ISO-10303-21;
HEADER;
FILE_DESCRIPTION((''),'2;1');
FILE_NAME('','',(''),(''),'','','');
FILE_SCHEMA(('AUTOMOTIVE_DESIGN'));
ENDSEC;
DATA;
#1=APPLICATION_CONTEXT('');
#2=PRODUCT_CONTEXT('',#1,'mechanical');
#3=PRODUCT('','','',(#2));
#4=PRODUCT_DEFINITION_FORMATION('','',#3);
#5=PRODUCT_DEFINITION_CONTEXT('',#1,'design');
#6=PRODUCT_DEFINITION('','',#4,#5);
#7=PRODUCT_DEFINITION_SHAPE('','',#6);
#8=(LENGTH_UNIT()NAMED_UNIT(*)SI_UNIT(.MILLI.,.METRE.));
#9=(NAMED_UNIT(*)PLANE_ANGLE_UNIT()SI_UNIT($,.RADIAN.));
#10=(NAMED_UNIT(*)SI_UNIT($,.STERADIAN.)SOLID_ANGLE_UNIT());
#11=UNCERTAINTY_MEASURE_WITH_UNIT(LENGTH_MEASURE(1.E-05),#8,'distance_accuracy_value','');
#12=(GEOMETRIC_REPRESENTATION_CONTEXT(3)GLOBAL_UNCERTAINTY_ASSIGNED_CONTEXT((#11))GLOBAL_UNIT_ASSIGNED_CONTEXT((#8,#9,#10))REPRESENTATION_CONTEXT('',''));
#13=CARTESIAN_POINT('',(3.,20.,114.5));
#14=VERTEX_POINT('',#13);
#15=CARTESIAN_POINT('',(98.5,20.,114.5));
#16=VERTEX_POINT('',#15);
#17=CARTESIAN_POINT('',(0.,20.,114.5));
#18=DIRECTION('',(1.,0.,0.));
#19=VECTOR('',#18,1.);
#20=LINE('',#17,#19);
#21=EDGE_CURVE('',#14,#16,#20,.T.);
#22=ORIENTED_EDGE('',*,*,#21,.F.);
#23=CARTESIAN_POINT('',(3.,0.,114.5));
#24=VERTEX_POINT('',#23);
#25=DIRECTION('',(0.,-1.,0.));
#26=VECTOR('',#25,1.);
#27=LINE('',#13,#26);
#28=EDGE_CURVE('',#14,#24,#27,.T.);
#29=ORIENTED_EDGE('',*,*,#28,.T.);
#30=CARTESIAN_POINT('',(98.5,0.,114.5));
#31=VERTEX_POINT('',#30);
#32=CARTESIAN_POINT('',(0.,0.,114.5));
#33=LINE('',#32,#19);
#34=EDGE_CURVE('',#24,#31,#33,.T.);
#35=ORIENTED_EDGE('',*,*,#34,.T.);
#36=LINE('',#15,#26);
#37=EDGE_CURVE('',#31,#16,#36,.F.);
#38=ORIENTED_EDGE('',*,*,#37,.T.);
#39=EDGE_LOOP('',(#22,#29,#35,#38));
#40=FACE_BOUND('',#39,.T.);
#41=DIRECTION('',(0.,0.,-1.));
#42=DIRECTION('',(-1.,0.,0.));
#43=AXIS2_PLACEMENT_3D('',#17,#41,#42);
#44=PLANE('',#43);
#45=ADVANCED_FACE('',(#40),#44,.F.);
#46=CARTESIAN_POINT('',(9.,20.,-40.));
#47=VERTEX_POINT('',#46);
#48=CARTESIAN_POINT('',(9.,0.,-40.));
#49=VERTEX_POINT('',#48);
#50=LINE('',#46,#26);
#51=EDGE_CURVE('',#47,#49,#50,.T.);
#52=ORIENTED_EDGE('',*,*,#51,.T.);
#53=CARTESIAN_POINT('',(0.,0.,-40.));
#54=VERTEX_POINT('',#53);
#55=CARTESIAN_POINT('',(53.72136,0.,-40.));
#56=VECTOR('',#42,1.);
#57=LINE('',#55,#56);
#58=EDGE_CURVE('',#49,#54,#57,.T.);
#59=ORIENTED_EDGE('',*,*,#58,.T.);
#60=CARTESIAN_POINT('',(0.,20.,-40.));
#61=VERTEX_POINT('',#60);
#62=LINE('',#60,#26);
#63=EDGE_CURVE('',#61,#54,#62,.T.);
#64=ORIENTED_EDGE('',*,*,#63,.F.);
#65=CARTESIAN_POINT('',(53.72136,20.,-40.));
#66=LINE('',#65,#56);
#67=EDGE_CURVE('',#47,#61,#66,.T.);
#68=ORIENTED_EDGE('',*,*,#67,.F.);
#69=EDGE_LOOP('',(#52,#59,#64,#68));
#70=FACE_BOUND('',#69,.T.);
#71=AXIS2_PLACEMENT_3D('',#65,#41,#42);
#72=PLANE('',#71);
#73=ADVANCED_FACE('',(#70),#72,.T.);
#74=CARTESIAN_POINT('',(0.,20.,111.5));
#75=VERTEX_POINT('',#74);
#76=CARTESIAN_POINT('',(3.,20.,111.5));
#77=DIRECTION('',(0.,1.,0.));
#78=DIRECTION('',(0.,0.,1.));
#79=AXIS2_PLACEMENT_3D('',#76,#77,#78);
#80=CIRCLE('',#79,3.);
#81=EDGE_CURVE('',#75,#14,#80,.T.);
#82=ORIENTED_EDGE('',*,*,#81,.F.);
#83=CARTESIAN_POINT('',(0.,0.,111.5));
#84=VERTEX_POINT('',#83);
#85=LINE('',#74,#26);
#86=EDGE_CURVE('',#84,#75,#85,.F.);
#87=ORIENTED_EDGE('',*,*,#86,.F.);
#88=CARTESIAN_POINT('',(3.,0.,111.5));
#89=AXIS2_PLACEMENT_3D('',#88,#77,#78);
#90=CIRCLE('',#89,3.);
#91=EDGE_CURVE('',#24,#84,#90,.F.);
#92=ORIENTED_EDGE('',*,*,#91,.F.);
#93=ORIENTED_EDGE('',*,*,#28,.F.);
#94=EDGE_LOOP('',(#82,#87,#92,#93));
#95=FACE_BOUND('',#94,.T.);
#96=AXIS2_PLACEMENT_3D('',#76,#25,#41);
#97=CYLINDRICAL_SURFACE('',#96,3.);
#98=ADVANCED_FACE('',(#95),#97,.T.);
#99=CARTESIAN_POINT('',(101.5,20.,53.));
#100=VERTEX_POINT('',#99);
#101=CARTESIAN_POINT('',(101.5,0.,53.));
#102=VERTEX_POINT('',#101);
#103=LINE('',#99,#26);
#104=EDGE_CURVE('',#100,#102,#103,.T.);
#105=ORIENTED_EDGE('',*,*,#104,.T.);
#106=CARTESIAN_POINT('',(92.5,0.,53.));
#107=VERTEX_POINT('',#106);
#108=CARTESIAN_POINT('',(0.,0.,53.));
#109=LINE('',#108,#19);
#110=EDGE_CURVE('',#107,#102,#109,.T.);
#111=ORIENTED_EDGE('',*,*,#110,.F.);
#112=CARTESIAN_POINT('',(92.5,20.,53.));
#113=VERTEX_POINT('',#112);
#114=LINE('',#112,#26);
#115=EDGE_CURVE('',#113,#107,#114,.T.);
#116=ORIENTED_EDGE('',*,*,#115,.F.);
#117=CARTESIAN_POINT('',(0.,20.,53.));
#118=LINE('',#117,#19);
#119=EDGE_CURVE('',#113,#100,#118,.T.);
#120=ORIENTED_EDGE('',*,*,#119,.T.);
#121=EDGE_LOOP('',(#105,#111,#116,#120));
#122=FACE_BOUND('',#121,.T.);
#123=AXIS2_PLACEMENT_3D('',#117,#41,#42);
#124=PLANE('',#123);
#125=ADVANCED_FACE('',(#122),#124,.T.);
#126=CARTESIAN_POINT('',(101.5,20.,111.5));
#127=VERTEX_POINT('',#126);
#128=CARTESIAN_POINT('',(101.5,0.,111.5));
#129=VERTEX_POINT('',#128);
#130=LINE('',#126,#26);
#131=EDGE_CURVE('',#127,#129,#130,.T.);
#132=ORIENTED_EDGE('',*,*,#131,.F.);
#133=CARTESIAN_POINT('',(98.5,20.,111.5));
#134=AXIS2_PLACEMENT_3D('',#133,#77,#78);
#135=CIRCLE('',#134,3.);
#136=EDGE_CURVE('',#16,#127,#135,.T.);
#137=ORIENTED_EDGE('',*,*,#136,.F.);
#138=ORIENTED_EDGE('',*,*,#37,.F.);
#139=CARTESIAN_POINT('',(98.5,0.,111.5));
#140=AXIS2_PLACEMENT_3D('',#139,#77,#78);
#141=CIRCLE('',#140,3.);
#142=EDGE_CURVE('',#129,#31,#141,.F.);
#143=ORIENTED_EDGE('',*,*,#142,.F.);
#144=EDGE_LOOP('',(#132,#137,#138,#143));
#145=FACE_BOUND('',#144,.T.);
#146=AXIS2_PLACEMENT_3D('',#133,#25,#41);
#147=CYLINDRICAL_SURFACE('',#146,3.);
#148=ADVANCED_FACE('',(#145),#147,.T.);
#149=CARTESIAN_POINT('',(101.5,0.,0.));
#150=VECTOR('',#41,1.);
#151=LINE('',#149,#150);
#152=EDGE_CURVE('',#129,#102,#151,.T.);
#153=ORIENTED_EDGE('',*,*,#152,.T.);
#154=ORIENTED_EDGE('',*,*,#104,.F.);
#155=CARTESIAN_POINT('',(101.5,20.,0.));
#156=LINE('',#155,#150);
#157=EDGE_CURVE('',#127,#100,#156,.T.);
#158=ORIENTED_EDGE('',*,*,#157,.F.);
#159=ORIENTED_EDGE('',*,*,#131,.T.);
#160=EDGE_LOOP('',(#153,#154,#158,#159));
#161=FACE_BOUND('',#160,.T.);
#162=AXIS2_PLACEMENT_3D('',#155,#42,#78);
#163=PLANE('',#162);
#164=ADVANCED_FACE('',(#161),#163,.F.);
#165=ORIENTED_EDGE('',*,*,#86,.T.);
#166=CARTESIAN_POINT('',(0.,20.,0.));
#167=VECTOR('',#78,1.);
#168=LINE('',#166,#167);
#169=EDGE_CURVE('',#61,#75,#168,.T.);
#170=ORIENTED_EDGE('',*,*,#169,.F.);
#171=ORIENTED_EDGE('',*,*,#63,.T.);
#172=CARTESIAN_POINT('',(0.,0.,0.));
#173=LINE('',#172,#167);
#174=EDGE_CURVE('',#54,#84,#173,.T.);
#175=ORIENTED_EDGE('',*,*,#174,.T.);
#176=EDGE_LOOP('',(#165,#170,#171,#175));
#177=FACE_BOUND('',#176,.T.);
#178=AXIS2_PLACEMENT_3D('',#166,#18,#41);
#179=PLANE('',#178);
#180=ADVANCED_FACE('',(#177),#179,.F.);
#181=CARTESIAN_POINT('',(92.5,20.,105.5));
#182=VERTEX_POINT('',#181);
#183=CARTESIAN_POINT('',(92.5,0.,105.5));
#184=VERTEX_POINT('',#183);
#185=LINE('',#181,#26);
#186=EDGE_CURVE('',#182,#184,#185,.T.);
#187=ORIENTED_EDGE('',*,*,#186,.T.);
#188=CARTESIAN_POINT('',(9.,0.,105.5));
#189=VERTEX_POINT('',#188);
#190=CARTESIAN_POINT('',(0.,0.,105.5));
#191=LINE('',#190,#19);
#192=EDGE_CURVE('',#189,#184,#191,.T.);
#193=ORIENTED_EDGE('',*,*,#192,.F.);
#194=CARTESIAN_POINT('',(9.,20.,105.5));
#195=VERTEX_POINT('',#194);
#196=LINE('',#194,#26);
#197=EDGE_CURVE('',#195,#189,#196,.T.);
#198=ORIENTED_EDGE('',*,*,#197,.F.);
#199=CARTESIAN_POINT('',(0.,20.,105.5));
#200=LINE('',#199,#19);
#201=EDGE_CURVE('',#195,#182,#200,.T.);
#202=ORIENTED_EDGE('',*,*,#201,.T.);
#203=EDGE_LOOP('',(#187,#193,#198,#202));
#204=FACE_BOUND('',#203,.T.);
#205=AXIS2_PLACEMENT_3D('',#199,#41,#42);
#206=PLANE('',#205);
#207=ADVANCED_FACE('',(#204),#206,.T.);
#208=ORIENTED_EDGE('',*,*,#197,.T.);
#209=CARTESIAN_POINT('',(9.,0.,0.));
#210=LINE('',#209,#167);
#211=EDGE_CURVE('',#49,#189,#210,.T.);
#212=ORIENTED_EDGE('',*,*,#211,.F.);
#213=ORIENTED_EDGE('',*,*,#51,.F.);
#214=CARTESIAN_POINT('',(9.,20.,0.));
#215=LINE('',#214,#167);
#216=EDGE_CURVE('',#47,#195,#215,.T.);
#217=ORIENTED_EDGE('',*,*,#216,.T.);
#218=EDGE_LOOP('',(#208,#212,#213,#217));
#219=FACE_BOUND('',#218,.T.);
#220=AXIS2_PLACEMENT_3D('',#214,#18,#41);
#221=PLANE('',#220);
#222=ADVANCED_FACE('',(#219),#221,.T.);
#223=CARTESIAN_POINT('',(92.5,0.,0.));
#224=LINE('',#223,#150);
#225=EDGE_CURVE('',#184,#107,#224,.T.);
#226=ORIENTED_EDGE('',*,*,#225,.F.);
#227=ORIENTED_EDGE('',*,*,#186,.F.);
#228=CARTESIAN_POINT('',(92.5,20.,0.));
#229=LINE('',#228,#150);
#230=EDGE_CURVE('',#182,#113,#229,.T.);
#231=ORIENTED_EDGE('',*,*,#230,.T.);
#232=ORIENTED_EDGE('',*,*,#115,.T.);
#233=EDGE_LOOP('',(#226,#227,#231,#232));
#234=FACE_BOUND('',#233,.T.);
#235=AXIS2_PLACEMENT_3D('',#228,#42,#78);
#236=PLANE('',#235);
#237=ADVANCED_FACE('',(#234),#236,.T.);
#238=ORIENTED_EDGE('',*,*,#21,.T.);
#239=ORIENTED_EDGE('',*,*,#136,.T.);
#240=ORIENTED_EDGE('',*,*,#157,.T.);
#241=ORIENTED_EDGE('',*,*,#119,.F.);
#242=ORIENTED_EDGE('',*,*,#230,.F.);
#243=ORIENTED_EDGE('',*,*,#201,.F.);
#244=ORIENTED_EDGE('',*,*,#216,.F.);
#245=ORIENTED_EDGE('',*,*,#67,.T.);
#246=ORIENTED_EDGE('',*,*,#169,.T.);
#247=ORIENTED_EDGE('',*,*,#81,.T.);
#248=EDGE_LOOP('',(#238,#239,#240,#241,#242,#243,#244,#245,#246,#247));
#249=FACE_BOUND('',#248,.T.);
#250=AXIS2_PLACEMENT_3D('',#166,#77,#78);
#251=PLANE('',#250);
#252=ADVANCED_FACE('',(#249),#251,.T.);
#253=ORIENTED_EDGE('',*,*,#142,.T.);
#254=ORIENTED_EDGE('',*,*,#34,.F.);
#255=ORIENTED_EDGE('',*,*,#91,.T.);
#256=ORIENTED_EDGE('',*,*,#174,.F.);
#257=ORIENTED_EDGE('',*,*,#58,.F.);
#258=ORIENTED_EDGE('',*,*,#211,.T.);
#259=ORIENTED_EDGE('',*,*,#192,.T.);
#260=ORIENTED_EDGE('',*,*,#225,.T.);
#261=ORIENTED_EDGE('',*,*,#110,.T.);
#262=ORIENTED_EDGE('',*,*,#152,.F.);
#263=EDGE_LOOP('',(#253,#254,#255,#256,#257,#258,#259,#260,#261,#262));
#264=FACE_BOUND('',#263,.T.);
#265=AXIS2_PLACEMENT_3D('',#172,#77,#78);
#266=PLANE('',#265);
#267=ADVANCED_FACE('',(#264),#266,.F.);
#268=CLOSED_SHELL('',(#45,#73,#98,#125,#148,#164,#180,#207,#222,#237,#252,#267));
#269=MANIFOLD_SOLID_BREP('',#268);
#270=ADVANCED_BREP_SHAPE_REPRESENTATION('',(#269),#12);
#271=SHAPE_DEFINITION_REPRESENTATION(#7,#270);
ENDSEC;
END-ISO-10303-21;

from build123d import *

# Parameters (mm, degrees)
SKETCH_1_W      = 9
SKETCH_1_H      = 105.5
EXTRUDE_1_DEPTH = 20
FILLET_1_R      = 3
SKETCH_2_W      = 40
SKETCH_2_H      = 20
EXTRUDE_2_DEPTH = 9


with BuildPart() as part:
    # 草图1 → 凸台-拉伸1 (new body)
    with BuildSketch(Plane(origin=(0, 0, 0), x_dir=(1, 0, 0), z_dir=(0, 1, 0))):
        with Locations((4.5, -52.75)):
            Rectangle(SKETCH_1_W, SKETCH_1_H)
        Polygon((9, -105.5), (0, -105.5), (0, -114.5), (92.5, -114.5), (92.5, -105.5), align=None)
        Polygon((92.5, -53), (92.5, -105.5), (92.5, -114.5), (101.5, -114.5), (101.5, -53), align=None)
    extrude(amount=EXTRUDE_1_DEPTH)

    # 圆角1
    fillet_1_edges = [part.edges().sort_by_distance(p)[0] for p in [
        (101.5, 10, 114.5),
        (0, 10, 114.5),
    ]]
    fillet(fillet_1_edges, radius=FILLET_1_R)

    # 草图2 → 凸台-拉伸2 (add)
    with BuildSketch(Plane.ZY):
        with Locations((-20, 10)):
            Rectangle(SKETCH_2_W, SKETCH_2_H)
    extrude(amount=-EXTRUDE_2_DEPTH)


solid = part.part
